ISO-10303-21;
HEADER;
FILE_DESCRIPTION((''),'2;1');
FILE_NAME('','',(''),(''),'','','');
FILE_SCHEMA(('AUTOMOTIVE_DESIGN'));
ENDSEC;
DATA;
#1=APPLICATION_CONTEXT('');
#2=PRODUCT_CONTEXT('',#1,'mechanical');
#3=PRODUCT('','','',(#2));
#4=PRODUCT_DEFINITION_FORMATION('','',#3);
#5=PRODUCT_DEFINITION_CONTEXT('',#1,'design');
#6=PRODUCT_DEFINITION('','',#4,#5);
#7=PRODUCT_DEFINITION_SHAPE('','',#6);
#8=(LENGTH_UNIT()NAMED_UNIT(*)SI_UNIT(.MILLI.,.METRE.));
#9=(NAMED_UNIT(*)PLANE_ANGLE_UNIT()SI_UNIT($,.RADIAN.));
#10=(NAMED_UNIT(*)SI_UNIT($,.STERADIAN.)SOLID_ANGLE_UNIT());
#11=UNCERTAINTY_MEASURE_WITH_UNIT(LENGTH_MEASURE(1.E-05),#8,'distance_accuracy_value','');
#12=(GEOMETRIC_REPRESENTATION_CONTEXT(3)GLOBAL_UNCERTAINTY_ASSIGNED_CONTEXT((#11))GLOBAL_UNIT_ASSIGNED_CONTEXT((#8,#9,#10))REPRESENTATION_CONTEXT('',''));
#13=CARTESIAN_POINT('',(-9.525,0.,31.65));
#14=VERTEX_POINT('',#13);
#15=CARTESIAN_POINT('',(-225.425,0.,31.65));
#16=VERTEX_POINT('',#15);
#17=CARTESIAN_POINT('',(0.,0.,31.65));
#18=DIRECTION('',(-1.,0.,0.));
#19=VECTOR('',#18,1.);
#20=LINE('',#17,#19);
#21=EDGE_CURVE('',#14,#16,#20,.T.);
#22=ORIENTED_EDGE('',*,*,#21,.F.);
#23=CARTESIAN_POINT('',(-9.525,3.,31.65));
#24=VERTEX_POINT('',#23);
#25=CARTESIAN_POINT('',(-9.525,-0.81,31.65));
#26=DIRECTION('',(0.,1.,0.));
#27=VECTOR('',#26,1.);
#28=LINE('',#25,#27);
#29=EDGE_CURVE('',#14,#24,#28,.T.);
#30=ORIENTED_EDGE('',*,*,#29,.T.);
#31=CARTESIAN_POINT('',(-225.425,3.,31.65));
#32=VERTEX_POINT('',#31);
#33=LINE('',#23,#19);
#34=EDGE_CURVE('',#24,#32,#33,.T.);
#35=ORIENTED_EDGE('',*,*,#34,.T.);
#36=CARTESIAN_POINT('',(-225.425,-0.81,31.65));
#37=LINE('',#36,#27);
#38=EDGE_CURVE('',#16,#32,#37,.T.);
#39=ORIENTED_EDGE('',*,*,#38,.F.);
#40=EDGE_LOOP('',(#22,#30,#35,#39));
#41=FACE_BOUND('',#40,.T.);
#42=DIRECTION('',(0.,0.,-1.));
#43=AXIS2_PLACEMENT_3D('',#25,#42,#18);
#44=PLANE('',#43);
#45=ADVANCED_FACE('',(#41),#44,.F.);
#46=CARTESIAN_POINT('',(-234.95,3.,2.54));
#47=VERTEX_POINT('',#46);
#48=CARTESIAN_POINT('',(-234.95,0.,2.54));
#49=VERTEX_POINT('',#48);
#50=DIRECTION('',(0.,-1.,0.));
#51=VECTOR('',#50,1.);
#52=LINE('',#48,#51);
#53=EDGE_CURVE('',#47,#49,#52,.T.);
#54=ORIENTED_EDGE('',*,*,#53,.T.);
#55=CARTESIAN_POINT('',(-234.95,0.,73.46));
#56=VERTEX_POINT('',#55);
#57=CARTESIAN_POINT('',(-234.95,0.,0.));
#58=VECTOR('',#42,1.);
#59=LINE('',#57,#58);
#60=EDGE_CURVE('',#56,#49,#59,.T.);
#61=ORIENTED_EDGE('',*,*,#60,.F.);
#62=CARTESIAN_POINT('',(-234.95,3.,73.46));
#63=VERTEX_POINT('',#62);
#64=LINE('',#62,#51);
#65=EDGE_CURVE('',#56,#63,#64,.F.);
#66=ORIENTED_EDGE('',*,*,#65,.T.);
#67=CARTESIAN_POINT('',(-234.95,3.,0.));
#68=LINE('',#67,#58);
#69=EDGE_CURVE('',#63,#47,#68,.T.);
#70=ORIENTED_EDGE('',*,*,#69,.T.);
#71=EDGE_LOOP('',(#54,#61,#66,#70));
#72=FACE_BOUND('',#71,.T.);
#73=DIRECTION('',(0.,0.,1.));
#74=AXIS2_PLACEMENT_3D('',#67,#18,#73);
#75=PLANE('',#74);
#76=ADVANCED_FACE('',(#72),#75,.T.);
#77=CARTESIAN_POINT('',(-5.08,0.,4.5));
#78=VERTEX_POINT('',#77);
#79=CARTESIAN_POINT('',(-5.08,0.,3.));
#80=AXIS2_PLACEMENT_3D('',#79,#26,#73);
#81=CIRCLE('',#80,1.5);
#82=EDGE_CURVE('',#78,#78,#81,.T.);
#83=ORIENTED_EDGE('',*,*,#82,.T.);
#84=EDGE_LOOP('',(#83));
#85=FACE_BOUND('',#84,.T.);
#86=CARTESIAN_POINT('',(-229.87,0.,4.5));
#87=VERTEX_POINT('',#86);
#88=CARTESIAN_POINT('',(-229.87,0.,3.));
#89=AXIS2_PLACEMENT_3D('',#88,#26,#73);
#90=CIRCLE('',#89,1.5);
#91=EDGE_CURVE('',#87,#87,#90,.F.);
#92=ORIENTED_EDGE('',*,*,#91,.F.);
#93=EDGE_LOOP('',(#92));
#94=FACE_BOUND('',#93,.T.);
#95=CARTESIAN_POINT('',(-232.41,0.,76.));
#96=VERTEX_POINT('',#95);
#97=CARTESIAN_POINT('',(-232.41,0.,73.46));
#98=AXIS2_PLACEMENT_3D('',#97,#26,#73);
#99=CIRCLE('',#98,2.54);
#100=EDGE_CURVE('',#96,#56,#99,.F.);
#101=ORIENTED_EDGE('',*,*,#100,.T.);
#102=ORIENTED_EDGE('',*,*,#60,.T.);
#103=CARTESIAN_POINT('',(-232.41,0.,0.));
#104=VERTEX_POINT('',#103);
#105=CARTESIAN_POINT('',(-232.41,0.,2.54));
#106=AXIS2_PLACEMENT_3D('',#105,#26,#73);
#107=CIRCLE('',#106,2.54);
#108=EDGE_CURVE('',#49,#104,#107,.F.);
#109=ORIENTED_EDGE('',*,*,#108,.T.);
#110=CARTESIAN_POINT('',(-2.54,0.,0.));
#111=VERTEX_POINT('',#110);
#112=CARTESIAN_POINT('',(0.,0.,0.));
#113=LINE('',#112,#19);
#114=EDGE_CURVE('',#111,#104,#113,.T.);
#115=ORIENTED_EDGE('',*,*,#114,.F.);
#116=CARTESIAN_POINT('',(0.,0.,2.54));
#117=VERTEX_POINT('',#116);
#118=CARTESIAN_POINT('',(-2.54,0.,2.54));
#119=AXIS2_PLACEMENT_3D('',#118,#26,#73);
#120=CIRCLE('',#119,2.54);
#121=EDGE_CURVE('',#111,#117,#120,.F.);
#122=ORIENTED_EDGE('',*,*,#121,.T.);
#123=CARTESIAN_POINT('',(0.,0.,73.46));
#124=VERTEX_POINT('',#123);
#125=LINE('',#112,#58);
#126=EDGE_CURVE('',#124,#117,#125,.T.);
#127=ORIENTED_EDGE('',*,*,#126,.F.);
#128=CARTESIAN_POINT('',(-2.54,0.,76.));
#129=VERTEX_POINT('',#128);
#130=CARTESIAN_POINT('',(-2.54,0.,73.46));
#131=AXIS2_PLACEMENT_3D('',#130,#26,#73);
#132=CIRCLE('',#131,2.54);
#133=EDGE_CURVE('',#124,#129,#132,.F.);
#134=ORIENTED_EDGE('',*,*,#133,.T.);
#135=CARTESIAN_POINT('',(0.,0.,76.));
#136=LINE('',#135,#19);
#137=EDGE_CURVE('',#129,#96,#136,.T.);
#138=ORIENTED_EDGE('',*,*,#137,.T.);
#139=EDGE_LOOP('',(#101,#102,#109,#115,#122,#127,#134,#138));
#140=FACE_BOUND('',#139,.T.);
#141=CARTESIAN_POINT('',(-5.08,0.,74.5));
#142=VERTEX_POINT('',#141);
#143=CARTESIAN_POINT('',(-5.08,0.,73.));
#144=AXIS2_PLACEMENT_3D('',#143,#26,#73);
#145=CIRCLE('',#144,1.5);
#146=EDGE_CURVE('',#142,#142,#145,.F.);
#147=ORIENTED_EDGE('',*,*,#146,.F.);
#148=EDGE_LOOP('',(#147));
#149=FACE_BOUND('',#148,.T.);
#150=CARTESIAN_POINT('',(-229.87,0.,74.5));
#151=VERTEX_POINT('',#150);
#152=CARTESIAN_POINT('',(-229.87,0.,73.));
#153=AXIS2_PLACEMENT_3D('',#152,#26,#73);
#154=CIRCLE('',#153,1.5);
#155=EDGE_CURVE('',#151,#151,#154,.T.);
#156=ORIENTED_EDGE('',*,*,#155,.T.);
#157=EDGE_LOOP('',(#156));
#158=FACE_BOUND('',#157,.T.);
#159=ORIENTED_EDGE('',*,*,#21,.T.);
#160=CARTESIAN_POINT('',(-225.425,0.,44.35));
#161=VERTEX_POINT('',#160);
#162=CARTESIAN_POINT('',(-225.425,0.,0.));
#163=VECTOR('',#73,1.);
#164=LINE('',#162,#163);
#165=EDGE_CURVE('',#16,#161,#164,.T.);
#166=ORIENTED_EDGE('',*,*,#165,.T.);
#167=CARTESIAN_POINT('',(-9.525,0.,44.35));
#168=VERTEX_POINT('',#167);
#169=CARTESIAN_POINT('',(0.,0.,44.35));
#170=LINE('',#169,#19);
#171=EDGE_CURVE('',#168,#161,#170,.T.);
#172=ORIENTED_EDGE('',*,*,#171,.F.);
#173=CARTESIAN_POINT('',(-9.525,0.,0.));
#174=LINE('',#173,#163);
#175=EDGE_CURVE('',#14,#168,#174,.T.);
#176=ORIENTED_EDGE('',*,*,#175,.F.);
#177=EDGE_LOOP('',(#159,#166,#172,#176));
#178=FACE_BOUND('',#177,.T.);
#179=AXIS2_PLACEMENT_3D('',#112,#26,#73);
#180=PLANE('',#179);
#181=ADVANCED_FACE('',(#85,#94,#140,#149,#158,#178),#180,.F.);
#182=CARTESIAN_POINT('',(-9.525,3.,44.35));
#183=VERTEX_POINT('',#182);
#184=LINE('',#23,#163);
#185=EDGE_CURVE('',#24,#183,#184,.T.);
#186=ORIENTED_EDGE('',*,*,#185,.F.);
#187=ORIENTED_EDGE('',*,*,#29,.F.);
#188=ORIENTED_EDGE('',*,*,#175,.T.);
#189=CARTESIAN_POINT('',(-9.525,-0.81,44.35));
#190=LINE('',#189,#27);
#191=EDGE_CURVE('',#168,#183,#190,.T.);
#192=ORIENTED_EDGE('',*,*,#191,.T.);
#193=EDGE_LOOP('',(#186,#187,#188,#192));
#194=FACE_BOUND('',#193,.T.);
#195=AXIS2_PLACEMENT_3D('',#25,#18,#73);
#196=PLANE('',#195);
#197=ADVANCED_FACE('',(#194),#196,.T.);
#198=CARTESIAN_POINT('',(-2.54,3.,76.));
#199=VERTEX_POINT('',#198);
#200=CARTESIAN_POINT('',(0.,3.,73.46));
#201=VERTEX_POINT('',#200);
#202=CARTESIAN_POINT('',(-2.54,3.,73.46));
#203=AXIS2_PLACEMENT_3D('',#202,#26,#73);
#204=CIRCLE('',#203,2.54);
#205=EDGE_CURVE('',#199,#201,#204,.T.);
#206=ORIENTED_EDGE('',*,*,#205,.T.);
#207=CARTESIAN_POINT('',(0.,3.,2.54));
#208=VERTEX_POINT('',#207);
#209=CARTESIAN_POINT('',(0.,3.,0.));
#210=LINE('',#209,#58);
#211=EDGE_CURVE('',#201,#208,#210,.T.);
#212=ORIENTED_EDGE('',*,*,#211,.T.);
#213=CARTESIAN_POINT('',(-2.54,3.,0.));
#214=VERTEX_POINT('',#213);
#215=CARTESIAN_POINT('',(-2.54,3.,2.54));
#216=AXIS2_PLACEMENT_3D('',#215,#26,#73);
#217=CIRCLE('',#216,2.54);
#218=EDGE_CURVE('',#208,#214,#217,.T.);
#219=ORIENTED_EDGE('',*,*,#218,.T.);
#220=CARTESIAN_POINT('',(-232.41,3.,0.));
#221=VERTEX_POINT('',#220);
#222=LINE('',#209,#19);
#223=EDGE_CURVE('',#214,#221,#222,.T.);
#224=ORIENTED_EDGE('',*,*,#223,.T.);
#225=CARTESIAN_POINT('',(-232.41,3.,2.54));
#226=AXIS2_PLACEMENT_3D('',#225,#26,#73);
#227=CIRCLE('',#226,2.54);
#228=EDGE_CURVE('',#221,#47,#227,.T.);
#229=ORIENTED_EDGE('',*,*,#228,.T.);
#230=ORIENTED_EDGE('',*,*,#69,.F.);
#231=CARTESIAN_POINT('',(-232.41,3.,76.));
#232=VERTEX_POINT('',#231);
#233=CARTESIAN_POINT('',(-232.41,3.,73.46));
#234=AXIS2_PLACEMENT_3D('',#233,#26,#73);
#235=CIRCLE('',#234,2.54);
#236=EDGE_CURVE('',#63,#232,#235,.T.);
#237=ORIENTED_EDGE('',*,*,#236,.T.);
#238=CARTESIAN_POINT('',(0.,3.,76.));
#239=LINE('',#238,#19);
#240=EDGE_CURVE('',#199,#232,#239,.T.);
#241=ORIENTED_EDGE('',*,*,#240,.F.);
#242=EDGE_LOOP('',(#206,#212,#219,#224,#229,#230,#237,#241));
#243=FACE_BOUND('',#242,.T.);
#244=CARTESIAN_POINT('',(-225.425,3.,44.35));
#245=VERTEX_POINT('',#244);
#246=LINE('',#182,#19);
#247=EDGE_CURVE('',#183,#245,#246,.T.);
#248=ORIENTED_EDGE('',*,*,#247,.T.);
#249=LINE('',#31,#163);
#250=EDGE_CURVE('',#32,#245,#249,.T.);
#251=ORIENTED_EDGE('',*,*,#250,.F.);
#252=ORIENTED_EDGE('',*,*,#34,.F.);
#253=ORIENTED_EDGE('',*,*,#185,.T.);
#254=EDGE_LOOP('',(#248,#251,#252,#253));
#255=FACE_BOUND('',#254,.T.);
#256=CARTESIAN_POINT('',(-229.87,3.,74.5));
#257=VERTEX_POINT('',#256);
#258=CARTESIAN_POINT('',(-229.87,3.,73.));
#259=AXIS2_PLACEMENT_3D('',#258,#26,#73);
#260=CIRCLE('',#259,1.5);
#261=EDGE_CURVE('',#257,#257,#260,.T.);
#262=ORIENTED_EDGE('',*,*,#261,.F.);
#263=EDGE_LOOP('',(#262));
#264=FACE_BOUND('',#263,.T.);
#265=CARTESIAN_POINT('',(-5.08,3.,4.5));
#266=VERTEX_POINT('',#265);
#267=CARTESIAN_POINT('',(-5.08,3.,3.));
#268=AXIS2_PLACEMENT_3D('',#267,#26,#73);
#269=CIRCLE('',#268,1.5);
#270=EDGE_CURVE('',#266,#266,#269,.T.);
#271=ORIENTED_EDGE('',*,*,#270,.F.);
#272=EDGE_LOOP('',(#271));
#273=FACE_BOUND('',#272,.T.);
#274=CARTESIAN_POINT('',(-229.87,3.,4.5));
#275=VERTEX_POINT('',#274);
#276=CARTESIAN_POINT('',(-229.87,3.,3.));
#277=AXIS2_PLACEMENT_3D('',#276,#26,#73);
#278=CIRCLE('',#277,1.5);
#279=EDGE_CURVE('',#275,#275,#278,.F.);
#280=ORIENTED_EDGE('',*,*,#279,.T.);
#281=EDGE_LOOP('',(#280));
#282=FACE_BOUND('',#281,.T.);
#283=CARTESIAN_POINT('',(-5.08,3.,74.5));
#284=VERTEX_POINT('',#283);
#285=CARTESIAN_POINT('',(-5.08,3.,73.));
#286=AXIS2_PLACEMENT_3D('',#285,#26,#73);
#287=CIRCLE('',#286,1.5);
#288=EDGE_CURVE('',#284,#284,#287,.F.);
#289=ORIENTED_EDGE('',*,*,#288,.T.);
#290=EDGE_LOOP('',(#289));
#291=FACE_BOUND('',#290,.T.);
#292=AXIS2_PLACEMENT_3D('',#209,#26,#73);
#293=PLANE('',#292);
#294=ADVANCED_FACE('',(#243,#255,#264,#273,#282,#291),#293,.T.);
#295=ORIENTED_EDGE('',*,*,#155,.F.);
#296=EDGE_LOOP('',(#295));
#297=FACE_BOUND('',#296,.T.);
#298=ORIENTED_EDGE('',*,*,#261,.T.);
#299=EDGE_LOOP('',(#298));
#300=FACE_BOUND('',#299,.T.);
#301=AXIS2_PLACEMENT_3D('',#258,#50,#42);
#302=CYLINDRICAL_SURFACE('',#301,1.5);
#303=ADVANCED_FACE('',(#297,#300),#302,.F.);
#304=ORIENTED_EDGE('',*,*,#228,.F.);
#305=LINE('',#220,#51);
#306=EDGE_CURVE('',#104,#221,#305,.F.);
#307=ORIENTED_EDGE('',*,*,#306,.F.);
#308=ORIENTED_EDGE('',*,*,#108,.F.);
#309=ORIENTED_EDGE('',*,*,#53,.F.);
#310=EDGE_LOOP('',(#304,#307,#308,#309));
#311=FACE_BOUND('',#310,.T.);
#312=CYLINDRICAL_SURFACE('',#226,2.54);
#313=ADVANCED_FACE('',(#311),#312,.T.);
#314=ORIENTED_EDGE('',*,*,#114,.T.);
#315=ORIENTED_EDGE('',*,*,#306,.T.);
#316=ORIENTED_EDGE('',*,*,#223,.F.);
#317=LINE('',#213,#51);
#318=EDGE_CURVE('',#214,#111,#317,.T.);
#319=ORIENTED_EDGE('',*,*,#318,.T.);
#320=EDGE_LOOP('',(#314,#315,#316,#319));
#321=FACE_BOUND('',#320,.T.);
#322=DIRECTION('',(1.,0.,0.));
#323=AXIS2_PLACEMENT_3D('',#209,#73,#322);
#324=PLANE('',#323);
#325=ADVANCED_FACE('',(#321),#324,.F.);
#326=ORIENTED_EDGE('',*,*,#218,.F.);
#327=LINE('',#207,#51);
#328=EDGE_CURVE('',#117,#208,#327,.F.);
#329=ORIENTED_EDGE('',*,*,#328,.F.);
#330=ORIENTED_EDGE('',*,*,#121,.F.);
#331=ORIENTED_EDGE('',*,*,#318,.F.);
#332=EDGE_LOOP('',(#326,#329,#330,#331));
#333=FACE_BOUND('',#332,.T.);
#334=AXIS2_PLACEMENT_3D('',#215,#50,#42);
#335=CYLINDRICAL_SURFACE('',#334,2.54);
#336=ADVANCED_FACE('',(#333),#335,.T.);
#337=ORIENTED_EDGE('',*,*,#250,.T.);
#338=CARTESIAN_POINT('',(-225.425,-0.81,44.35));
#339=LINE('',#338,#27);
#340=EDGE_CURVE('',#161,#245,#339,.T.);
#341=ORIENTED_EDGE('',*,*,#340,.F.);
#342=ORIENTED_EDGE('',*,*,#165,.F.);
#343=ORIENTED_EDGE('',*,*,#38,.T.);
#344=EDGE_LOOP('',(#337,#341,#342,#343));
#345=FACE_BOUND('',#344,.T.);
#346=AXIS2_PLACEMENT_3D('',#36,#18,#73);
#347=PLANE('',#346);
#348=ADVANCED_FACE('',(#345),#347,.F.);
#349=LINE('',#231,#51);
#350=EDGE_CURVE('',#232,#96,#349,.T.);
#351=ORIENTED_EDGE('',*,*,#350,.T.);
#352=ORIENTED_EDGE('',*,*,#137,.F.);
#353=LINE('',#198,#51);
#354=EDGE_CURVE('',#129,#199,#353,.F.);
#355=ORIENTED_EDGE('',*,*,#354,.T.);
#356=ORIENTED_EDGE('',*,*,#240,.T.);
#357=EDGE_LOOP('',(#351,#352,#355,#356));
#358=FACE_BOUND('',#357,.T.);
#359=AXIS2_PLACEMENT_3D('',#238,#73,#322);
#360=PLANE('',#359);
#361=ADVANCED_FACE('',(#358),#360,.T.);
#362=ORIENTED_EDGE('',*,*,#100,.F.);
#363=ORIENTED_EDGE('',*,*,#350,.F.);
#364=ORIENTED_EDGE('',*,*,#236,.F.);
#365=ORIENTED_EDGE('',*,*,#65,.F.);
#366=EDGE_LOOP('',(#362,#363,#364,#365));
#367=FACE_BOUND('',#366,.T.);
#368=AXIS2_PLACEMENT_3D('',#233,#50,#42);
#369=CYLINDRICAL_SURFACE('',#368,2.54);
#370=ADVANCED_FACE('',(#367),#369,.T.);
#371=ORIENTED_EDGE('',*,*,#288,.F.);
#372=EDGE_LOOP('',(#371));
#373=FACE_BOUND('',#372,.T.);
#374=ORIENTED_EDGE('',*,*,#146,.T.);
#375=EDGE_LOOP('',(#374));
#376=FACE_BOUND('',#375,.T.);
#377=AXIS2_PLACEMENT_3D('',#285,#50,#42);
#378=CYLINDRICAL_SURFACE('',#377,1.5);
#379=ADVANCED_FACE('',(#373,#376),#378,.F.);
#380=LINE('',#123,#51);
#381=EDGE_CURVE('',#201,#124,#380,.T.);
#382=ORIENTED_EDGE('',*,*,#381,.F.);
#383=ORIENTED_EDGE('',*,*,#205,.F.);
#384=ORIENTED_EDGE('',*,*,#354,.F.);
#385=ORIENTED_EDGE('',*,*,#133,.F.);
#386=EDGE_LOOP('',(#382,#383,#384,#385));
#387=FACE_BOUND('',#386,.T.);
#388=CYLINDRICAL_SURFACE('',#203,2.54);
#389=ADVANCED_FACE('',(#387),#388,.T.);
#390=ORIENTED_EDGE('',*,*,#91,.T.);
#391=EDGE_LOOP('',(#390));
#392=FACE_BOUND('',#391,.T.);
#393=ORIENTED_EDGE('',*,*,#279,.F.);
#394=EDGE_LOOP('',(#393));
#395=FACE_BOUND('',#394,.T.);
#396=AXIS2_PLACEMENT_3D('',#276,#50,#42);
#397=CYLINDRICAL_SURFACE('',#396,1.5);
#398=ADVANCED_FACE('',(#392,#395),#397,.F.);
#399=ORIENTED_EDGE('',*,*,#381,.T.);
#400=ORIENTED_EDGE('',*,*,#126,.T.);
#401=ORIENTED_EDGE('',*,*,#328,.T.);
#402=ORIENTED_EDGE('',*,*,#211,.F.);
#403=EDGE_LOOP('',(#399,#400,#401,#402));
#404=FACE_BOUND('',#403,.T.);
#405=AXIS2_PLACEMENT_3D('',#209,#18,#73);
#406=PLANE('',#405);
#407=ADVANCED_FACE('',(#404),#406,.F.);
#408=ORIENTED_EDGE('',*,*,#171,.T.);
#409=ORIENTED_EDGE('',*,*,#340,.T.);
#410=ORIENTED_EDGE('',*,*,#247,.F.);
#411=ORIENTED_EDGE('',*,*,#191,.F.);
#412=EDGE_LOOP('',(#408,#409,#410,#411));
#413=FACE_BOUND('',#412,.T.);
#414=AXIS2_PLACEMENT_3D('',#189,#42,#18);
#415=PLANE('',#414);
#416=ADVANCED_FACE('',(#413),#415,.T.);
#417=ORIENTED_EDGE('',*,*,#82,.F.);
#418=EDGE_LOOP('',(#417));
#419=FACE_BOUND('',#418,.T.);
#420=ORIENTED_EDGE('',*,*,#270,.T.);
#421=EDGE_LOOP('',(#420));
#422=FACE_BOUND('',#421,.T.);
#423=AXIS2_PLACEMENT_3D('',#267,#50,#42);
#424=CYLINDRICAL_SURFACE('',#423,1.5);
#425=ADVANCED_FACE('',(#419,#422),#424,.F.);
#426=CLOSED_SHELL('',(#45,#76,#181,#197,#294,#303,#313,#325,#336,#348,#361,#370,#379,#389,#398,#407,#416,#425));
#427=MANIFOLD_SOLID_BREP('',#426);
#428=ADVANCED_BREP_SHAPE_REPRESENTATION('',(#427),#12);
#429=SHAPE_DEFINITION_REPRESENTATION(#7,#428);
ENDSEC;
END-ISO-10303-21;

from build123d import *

# Parameters (mm, degrees)
SKETCH3_W           = 234.95
SKETCH3_H           = 76
SKETCH3_R           = 1.5
BOSS_EXTRUDE4_DEPTH = 3
SKETCH4_W           = 215.9
SKETCH4_H           = 12.7
CUT_EXTRUDE1_DEPTH  = 3.81
FILLET11_R          = 2.54


with BuildPart() as part:
    # Sketch3 → Boss-Extrude4 (new body)
    with BuildSketch(Plane(origin=(0, 0, 0), x_dir=(1, 0, 0), z_dir=(0, 1, 0))):
        with Locations((-117.475, -38)):
            Rectangle(SKETCH3_W, SKETCH3_H)
        with Locations(Location((-5.08, -3, 0), (0, 0, 270))):
            Circle(SKETCH3_R, mode=Mode.SUBTRACT)
        with Locations(Location((-5.08, -73, 0), (0, 0, 270))):
            Circle(SKETCH3_R, mode=Mode.SUBTRACT)
        with Locations(Location((-229.87, -73, 0), (0, 0, 270))):
            Circle(SKETCH3_R, mode=Mode.SUBTRACT)
        with Locations(Location((-229.87, -3, 0), (0, 0, 270))):
            Circle(SKETCH3_R, mode=Mode.SUBTRACT)
    extrude(amount=BOSS_EXTRUDE4_DEPTH)

    # Sketch4 → Cut-Extrude1 (cut)
    with BuildSketch(Plane(origin=(0, 3, 0), x_dir=(1, 0, 0), z_dir=(0, 1, 0))):
        with Locations((-117.475, -38)):
            Rectangle(SKETCH4_W, SKETCH4_H)
    extrude(amount=-CUT_EXTRUDE1_DEPTH, mode=Mode.SUBTRACT)

    # Fillet11
    fillet11_edges = [part.edges().sort_by_distance(p)[0] for p in [
        (-234.95, 1.5, 0),
        (0, 1.5, 0),
        (0, 1.5, 76),
        (-234.95, 1.5, 76),
    ]]
    fillet(fillet11_edges, radius=FILLET11_R)


solid = part.part
